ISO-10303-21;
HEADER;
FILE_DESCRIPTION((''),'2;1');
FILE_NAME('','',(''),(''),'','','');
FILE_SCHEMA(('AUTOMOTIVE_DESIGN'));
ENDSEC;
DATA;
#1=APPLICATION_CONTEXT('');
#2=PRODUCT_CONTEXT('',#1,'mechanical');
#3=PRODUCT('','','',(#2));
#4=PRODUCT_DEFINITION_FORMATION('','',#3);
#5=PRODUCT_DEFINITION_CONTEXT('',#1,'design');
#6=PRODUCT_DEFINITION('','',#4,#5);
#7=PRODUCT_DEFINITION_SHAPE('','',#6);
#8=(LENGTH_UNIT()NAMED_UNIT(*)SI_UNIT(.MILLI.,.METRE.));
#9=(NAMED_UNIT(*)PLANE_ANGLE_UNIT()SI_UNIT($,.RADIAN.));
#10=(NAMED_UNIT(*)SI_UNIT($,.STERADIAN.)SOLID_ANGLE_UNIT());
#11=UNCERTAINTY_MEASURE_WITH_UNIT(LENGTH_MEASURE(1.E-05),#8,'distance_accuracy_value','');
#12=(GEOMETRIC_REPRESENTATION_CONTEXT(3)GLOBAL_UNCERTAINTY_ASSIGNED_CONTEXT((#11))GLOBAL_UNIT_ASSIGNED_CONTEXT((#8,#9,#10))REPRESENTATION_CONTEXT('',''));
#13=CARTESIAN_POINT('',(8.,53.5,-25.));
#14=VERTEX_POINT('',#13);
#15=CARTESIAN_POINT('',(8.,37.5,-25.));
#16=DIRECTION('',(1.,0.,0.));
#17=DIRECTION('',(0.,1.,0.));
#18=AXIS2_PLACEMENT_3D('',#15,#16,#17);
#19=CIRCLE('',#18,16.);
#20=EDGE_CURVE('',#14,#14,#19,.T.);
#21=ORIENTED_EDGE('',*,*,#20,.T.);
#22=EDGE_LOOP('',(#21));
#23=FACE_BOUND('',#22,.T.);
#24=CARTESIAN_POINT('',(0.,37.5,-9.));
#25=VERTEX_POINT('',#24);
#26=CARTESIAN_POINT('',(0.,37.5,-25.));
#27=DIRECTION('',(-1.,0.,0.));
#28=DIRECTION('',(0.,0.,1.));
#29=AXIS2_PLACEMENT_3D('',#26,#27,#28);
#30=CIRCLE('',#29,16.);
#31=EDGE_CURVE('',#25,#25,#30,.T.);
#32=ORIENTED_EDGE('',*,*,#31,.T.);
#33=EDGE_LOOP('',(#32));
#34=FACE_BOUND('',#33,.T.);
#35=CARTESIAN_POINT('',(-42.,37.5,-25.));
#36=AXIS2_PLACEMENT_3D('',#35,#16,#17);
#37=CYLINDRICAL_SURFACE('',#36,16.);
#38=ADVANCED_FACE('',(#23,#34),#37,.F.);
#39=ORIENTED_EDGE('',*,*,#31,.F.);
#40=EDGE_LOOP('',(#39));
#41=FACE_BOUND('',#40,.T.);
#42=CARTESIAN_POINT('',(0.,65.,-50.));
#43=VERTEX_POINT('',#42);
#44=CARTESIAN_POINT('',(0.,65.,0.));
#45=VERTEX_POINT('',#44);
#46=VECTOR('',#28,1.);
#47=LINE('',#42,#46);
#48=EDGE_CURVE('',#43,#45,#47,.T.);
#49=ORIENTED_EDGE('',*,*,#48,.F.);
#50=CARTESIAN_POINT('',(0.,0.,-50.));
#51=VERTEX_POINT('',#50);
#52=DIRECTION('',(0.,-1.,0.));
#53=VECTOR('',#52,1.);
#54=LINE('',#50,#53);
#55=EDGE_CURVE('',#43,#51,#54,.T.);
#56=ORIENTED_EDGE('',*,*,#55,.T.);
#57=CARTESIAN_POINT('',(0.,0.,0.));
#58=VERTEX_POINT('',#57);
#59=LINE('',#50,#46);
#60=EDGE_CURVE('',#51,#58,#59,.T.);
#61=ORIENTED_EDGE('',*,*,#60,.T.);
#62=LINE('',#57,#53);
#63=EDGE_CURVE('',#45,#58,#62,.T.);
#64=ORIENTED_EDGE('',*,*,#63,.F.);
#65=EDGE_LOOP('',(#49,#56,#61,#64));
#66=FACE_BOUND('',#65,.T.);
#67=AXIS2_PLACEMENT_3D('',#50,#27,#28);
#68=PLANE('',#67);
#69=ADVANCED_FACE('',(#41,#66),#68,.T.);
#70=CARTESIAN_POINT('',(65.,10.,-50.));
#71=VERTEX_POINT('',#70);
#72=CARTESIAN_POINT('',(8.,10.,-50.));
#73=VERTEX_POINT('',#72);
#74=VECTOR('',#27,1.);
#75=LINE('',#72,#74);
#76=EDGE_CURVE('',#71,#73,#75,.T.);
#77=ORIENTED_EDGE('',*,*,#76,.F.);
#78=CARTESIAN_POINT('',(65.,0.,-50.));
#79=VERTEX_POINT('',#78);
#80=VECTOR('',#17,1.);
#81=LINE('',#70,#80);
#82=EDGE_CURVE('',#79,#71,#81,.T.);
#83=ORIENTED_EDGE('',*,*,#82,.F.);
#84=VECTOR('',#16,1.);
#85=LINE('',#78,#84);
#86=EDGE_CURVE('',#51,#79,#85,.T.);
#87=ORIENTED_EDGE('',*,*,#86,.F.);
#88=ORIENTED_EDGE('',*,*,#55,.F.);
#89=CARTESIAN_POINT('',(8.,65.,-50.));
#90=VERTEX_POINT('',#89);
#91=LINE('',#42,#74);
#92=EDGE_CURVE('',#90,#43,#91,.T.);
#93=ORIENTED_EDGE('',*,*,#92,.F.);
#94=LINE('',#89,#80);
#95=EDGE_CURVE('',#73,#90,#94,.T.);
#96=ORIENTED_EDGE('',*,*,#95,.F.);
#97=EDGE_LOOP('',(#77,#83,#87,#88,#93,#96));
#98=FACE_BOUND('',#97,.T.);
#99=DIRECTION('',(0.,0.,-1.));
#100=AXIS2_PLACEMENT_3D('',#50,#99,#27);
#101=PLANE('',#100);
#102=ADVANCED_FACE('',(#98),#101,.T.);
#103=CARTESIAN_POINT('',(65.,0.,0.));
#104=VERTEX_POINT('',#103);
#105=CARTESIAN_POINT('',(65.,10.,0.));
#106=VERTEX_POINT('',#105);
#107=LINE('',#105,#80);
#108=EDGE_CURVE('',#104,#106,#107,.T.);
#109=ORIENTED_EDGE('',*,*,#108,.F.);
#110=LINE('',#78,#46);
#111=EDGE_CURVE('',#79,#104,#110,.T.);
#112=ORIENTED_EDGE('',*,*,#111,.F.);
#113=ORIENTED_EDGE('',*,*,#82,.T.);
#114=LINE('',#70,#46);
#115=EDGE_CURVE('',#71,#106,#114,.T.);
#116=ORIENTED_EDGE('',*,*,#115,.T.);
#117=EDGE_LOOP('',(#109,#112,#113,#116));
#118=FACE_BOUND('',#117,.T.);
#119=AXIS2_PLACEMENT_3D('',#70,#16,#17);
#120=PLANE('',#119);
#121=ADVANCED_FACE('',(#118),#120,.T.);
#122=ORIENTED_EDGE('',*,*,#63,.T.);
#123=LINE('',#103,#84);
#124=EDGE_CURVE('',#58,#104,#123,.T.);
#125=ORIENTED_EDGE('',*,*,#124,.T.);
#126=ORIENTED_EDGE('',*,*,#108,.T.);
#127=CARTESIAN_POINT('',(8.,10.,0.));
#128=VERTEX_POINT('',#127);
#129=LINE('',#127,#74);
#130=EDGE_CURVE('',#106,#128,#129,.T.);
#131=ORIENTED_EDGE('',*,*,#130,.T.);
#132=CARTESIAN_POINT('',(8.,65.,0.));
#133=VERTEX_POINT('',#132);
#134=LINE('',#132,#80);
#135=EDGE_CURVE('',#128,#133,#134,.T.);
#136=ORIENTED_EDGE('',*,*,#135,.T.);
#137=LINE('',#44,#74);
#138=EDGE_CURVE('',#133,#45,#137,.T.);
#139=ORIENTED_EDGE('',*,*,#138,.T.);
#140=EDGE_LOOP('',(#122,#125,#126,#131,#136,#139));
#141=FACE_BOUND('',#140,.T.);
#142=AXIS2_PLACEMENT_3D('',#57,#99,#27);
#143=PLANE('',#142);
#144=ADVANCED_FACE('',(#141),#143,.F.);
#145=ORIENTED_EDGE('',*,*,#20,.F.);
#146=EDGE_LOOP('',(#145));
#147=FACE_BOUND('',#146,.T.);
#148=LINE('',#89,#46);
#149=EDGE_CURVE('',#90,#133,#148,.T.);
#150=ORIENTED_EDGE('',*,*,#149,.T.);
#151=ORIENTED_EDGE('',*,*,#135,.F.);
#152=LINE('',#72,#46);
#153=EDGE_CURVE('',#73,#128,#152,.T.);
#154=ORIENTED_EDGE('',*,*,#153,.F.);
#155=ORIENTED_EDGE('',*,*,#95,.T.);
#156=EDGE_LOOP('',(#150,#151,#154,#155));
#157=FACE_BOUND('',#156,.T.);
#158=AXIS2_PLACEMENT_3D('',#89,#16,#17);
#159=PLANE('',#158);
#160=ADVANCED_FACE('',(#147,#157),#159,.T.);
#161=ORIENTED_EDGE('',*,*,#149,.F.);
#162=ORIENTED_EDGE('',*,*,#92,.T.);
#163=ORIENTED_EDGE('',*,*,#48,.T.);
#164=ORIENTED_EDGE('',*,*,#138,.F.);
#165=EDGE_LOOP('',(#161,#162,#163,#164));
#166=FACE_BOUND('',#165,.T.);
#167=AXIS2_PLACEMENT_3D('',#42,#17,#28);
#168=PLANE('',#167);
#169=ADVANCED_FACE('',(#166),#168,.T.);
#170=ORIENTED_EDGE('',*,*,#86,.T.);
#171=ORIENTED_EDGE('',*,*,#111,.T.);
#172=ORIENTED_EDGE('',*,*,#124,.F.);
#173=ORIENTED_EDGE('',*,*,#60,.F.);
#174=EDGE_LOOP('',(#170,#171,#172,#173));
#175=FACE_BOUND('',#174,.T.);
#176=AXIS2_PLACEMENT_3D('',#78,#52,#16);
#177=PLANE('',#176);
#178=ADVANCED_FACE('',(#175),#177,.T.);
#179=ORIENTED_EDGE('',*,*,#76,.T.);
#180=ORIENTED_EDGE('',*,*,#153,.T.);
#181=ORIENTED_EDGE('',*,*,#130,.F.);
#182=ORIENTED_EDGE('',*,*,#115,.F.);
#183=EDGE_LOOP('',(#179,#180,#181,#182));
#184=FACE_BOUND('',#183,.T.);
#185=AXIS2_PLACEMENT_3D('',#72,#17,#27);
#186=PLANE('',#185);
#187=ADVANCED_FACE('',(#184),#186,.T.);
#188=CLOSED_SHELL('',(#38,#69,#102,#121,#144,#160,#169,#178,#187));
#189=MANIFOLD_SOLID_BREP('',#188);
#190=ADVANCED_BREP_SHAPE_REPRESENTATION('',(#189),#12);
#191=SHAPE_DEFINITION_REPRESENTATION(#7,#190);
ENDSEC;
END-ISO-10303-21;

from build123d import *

# Parameters (mm, degrees)
AUFSATZ_LINEAR_AUSTRAGEN1_DEPTH = 50
SKIZZE2_R                       = 16
SCHNITT_LINEAR_AUSTRAGEN1_DEPTH = 50


with BuildPart() as part:
    # Skizze1 → Aufsatz-Linear austragen1 (new body)
    with BuildSketch(Plane.XY):
        Polygon((0, 65), (8, 65), (8, 10), (65, 10), (65, 0), (0, 0), align=None)
    extrude(amount=-AUFSATZ_LINEAR_AUSTRAGEN1_DEPTH)

    # Skizze2 → Schnitt-Linear austragen1 (cut)
    with BuildSketch(Plane(origin=(8, 0, 0), x_dir=(0, 0, -1), z_dir=(1, 0, 0))):
        with Locations((25, 37.5)):
            Circle(SKIZZE2_R)
    extrude(amount=-SCHNITT_LINEAR_AUSTRAGEN1_DEPTH, mode=Mode.SUBTRACT)


solid = part.part
